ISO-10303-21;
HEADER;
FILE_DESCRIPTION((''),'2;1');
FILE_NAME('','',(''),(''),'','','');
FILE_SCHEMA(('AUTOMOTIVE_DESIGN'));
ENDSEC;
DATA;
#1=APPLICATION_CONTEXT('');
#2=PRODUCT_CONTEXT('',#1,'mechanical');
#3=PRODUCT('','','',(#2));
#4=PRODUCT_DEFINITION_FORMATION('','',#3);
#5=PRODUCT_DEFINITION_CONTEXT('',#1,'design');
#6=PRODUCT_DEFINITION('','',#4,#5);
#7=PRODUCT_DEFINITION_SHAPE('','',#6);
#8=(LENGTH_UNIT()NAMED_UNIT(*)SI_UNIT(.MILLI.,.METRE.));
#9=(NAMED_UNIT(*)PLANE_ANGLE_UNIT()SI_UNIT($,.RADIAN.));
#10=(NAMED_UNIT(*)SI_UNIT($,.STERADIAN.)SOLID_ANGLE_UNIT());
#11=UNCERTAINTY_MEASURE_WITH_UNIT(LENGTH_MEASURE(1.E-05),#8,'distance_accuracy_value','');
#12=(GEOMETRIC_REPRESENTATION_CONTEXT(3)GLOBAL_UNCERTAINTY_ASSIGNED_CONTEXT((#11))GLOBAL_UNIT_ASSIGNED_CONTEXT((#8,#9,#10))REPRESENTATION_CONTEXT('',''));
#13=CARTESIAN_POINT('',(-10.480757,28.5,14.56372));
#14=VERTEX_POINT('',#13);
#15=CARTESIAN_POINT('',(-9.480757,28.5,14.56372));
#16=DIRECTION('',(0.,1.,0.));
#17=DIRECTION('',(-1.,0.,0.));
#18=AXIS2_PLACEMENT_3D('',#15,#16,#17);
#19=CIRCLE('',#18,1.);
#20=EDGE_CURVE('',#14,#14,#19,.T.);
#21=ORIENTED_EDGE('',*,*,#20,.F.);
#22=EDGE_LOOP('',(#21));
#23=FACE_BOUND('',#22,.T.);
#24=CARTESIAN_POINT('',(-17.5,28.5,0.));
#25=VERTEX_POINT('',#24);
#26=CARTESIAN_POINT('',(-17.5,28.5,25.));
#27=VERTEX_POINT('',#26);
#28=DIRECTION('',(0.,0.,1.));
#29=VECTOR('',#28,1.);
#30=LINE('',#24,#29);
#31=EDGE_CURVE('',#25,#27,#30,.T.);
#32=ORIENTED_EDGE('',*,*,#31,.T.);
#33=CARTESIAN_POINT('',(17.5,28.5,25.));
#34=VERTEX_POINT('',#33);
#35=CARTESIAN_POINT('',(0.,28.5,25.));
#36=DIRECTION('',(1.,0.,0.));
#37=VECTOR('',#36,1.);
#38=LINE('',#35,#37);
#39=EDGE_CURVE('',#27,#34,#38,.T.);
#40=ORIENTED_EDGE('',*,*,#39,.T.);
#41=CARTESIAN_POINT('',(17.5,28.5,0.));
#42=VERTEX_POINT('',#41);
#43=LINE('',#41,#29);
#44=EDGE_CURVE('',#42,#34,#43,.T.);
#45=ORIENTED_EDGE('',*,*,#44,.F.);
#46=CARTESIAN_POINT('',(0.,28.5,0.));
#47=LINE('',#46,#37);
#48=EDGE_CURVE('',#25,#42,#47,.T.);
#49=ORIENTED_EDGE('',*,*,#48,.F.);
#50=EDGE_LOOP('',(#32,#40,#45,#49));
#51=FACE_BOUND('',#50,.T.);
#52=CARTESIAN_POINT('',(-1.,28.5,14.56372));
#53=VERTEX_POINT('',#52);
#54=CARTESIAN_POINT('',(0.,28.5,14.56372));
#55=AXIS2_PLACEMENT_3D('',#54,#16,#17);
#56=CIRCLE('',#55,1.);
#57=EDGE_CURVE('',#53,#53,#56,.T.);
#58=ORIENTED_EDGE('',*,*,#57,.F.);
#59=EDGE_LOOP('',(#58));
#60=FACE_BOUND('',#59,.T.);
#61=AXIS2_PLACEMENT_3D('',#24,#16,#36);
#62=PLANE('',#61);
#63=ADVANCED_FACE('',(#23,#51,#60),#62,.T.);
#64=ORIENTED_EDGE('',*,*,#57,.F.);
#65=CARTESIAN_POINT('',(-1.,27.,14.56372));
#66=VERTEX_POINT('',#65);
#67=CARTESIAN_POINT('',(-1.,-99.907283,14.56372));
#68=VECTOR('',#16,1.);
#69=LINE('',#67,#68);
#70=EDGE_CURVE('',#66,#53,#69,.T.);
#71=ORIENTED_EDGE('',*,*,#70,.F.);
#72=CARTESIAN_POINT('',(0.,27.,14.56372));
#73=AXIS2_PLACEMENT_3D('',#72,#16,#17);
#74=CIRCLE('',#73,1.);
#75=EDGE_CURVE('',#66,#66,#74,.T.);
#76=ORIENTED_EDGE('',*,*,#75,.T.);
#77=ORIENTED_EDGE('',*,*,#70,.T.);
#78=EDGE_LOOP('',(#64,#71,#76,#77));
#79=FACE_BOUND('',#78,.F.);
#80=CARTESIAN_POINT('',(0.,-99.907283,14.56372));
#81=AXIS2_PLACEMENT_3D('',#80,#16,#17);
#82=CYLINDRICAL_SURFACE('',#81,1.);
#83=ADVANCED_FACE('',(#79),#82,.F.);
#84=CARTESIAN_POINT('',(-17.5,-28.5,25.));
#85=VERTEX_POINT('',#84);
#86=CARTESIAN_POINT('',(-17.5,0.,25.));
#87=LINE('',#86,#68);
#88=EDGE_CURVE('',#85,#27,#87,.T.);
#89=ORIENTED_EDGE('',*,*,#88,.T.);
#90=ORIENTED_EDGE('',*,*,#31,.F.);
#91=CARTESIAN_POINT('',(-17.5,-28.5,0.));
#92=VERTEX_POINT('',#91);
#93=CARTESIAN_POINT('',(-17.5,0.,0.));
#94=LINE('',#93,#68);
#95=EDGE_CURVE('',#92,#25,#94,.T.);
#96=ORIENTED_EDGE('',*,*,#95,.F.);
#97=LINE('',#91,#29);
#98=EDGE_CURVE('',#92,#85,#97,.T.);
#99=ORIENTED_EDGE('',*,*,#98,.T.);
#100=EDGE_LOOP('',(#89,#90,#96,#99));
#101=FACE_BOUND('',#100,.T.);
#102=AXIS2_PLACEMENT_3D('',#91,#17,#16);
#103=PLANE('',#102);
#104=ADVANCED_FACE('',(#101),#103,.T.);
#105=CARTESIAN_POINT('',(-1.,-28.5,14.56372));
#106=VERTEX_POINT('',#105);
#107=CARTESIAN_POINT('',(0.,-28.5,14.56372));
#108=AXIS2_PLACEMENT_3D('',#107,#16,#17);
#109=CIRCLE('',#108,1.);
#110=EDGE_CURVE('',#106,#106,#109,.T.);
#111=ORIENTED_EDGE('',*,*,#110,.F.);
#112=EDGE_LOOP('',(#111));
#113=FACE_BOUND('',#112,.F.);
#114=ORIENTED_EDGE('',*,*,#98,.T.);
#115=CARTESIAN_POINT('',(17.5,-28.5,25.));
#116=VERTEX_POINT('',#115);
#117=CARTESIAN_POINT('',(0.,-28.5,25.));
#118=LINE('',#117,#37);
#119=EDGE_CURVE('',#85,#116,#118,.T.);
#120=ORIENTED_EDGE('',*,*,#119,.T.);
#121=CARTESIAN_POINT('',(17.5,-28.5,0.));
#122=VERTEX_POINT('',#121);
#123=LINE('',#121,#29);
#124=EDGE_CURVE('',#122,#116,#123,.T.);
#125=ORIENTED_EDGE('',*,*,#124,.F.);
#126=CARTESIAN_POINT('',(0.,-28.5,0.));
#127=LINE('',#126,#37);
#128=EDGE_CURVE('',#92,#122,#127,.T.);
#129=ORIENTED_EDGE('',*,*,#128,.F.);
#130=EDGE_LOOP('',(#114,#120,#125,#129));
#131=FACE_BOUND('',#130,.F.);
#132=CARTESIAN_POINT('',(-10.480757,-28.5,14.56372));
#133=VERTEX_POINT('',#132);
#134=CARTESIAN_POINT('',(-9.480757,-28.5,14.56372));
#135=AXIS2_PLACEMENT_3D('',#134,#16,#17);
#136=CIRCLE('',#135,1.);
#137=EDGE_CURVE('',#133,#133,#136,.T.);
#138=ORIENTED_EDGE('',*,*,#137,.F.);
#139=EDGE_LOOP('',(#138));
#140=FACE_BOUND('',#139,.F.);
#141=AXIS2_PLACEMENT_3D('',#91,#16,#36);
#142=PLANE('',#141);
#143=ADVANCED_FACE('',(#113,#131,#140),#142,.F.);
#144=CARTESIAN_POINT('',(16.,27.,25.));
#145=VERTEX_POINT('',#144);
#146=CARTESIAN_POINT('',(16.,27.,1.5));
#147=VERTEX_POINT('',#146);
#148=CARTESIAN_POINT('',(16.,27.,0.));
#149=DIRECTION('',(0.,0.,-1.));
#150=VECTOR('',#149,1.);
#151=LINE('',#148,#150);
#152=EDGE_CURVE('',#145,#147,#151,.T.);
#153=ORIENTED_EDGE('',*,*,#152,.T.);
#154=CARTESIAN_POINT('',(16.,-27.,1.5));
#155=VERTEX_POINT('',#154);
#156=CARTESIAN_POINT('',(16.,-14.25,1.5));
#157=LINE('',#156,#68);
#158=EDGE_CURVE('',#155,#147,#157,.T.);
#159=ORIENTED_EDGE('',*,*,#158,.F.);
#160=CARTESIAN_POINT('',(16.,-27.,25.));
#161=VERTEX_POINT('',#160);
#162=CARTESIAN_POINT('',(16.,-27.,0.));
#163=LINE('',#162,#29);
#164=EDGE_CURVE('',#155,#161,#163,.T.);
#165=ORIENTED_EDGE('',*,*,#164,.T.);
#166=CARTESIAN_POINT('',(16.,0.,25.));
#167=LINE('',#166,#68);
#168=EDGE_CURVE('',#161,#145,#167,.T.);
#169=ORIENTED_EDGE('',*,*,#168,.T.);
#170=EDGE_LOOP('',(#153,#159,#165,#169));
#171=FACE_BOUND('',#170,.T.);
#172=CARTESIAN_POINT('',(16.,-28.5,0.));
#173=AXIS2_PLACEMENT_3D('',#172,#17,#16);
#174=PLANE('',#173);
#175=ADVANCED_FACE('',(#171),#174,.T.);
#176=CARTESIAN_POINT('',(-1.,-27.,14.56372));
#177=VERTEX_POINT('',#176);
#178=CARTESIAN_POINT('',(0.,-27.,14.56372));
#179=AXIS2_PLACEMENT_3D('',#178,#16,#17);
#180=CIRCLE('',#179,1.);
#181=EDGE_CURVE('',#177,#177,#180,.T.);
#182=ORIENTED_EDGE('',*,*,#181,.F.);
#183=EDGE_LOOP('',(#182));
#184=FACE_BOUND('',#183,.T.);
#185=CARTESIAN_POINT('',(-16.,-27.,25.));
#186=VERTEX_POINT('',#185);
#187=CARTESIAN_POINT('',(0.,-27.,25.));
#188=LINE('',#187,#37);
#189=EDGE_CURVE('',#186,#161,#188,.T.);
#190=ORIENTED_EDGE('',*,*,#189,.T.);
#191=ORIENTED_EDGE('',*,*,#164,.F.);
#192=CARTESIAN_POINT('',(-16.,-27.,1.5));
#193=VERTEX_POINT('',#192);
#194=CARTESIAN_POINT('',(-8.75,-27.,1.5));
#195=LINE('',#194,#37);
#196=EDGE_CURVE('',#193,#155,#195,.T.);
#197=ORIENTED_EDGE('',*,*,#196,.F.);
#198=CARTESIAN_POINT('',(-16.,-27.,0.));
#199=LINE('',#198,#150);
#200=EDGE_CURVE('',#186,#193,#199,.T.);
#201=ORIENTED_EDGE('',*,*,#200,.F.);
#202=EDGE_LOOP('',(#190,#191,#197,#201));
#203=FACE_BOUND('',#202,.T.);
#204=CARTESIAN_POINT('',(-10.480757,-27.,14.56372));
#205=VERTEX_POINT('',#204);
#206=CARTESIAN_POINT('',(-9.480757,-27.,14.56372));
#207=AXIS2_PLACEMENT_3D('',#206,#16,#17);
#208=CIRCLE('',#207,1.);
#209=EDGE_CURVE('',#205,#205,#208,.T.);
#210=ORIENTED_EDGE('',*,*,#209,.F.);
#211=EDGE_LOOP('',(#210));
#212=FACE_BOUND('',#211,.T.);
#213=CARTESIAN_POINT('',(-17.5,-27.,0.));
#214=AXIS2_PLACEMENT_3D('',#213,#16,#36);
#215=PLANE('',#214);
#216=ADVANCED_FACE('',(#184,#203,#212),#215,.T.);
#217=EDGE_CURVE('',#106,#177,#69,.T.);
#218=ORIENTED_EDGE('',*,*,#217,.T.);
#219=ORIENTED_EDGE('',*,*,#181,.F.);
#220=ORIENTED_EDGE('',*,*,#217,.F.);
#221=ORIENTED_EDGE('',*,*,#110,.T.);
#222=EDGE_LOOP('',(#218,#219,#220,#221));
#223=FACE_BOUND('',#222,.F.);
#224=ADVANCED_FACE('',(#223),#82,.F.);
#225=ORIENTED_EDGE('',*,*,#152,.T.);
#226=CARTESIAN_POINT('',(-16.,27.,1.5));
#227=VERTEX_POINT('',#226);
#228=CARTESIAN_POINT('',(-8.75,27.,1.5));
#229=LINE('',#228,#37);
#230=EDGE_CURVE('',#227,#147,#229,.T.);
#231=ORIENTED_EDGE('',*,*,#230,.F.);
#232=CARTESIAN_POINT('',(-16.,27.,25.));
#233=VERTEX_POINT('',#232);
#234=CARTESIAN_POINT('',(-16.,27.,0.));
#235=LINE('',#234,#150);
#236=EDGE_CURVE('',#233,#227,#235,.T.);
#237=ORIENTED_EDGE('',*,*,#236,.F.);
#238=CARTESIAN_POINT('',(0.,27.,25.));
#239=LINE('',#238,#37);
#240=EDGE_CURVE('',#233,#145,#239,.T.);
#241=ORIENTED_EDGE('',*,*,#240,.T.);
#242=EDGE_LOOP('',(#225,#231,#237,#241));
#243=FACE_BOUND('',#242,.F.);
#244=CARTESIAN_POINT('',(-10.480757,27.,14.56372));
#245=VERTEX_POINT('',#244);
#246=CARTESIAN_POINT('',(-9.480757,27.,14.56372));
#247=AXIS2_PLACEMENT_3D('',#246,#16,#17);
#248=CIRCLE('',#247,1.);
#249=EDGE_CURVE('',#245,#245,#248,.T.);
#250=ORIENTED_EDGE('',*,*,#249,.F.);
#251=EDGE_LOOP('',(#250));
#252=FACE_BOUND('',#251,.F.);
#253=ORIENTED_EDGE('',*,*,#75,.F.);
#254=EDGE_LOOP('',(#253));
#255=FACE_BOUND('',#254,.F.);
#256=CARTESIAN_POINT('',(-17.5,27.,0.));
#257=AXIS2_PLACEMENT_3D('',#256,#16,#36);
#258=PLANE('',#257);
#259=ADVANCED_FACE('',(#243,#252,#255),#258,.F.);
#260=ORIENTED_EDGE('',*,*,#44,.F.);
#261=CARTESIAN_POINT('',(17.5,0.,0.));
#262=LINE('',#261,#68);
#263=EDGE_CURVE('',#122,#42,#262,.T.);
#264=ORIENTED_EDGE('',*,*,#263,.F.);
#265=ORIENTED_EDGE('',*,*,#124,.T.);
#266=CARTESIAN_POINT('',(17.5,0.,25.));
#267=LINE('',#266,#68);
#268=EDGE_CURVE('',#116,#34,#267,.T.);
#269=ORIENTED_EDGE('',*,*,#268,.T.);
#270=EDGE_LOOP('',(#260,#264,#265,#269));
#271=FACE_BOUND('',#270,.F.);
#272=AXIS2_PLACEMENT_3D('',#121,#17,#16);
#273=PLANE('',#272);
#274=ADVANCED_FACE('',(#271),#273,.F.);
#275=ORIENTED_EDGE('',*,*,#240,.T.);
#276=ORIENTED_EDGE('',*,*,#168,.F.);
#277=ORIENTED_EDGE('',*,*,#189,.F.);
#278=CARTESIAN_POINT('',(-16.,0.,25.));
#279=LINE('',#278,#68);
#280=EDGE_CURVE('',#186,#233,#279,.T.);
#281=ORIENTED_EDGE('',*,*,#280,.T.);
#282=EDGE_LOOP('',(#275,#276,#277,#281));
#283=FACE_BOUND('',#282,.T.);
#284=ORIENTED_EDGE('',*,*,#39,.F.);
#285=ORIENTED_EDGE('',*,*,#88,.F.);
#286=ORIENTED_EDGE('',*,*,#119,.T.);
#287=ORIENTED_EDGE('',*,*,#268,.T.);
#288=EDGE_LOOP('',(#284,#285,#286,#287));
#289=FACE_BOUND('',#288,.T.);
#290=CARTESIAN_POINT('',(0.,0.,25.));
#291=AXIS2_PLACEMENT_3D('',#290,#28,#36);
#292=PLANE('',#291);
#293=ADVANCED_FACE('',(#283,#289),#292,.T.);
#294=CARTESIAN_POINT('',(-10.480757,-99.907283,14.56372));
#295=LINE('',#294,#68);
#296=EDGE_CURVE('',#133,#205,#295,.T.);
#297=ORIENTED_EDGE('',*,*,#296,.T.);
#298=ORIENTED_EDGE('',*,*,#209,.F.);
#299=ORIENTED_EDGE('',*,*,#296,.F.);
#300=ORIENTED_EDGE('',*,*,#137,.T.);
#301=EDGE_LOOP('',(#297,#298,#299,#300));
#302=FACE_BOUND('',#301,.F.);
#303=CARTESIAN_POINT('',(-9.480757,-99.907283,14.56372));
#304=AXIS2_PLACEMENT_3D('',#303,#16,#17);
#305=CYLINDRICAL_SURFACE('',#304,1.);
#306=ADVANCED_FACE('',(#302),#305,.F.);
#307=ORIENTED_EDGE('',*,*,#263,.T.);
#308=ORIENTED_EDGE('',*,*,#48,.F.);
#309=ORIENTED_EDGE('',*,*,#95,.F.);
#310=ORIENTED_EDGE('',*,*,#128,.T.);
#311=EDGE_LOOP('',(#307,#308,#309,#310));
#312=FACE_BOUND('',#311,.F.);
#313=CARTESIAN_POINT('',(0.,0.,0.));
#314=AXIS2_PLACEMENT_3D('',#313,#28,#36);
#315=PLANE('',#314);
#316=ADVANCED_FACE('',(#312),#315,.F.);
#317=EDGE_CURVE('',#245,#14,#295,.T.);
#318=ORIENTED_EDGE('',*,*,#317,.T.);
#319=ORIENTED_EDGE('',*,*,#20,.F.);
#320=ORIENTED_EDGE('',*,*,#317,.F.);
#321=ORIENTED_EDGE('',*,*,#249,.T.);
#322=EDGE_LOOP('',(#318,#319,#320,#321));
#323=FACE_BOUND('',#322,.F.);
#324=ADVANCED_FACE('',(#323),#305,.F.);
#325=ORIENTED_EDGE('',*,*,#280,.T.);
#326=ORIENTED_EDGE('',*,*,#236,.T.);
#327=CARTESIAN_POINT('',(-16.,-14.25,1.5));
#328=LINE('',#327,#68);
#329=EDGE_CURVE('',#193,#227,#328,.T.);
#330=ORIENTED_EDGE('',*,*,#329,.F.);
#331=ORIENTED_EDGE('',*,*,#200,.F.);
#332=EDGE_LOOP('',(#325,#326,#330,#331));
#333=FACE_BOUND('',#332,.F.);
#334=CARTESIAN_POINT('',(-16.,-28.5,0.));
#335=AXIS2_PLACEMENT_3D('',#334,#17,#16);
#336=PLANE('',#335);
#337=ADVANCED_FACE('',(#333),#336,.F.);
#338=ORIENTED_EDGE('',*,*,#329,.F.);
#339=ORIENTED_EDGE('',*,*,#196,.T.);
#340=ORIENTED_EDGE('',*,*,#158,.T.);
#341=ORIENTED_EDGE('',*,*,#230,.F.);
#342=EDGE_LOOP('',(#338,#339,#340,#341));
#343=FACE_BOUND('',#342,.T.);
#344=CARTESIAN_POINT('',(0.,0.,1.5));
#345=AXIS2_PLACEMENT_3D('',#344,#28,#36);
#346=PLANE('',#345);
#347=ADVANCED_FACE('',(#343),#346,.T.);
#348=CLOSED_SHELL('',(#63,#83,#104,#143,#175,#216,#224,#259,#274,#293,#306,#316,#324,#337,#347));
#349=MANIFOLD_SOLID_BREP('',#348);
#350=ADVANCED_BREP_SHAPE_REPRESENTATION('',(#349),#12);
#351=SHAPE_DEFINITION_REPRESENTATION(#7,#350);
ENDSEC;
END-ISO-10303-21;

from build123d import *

# Parameters (mm, degrees)
F0_W     = 35
F0_H     = 57
F1_DEPTH = 25
F2_T     = -1.5
F4_D     = 2


with BuildPart() as f1:
    # F0 (on Top) → F1 (new body)
    with BuildSketch(Plane.XY):
        Rectangle(F0_W, F0_H)
    extrude(amount=F1_DEPTH)

    # F2
    f2_openings = [f1.faces().sort_by_distance(p)[0] for p in [
        (0, 0, 25),
    ]]
    offset(amount=F2_T, openings=f2_openings)

    # F4 (through all)
    with Locations(Plane.XZ.offset(28.5)):
        with Locations((-9.480757, 14.56372), (0, 14.56372)):
            Hole(F4_D / 2)


solid = f1.part
